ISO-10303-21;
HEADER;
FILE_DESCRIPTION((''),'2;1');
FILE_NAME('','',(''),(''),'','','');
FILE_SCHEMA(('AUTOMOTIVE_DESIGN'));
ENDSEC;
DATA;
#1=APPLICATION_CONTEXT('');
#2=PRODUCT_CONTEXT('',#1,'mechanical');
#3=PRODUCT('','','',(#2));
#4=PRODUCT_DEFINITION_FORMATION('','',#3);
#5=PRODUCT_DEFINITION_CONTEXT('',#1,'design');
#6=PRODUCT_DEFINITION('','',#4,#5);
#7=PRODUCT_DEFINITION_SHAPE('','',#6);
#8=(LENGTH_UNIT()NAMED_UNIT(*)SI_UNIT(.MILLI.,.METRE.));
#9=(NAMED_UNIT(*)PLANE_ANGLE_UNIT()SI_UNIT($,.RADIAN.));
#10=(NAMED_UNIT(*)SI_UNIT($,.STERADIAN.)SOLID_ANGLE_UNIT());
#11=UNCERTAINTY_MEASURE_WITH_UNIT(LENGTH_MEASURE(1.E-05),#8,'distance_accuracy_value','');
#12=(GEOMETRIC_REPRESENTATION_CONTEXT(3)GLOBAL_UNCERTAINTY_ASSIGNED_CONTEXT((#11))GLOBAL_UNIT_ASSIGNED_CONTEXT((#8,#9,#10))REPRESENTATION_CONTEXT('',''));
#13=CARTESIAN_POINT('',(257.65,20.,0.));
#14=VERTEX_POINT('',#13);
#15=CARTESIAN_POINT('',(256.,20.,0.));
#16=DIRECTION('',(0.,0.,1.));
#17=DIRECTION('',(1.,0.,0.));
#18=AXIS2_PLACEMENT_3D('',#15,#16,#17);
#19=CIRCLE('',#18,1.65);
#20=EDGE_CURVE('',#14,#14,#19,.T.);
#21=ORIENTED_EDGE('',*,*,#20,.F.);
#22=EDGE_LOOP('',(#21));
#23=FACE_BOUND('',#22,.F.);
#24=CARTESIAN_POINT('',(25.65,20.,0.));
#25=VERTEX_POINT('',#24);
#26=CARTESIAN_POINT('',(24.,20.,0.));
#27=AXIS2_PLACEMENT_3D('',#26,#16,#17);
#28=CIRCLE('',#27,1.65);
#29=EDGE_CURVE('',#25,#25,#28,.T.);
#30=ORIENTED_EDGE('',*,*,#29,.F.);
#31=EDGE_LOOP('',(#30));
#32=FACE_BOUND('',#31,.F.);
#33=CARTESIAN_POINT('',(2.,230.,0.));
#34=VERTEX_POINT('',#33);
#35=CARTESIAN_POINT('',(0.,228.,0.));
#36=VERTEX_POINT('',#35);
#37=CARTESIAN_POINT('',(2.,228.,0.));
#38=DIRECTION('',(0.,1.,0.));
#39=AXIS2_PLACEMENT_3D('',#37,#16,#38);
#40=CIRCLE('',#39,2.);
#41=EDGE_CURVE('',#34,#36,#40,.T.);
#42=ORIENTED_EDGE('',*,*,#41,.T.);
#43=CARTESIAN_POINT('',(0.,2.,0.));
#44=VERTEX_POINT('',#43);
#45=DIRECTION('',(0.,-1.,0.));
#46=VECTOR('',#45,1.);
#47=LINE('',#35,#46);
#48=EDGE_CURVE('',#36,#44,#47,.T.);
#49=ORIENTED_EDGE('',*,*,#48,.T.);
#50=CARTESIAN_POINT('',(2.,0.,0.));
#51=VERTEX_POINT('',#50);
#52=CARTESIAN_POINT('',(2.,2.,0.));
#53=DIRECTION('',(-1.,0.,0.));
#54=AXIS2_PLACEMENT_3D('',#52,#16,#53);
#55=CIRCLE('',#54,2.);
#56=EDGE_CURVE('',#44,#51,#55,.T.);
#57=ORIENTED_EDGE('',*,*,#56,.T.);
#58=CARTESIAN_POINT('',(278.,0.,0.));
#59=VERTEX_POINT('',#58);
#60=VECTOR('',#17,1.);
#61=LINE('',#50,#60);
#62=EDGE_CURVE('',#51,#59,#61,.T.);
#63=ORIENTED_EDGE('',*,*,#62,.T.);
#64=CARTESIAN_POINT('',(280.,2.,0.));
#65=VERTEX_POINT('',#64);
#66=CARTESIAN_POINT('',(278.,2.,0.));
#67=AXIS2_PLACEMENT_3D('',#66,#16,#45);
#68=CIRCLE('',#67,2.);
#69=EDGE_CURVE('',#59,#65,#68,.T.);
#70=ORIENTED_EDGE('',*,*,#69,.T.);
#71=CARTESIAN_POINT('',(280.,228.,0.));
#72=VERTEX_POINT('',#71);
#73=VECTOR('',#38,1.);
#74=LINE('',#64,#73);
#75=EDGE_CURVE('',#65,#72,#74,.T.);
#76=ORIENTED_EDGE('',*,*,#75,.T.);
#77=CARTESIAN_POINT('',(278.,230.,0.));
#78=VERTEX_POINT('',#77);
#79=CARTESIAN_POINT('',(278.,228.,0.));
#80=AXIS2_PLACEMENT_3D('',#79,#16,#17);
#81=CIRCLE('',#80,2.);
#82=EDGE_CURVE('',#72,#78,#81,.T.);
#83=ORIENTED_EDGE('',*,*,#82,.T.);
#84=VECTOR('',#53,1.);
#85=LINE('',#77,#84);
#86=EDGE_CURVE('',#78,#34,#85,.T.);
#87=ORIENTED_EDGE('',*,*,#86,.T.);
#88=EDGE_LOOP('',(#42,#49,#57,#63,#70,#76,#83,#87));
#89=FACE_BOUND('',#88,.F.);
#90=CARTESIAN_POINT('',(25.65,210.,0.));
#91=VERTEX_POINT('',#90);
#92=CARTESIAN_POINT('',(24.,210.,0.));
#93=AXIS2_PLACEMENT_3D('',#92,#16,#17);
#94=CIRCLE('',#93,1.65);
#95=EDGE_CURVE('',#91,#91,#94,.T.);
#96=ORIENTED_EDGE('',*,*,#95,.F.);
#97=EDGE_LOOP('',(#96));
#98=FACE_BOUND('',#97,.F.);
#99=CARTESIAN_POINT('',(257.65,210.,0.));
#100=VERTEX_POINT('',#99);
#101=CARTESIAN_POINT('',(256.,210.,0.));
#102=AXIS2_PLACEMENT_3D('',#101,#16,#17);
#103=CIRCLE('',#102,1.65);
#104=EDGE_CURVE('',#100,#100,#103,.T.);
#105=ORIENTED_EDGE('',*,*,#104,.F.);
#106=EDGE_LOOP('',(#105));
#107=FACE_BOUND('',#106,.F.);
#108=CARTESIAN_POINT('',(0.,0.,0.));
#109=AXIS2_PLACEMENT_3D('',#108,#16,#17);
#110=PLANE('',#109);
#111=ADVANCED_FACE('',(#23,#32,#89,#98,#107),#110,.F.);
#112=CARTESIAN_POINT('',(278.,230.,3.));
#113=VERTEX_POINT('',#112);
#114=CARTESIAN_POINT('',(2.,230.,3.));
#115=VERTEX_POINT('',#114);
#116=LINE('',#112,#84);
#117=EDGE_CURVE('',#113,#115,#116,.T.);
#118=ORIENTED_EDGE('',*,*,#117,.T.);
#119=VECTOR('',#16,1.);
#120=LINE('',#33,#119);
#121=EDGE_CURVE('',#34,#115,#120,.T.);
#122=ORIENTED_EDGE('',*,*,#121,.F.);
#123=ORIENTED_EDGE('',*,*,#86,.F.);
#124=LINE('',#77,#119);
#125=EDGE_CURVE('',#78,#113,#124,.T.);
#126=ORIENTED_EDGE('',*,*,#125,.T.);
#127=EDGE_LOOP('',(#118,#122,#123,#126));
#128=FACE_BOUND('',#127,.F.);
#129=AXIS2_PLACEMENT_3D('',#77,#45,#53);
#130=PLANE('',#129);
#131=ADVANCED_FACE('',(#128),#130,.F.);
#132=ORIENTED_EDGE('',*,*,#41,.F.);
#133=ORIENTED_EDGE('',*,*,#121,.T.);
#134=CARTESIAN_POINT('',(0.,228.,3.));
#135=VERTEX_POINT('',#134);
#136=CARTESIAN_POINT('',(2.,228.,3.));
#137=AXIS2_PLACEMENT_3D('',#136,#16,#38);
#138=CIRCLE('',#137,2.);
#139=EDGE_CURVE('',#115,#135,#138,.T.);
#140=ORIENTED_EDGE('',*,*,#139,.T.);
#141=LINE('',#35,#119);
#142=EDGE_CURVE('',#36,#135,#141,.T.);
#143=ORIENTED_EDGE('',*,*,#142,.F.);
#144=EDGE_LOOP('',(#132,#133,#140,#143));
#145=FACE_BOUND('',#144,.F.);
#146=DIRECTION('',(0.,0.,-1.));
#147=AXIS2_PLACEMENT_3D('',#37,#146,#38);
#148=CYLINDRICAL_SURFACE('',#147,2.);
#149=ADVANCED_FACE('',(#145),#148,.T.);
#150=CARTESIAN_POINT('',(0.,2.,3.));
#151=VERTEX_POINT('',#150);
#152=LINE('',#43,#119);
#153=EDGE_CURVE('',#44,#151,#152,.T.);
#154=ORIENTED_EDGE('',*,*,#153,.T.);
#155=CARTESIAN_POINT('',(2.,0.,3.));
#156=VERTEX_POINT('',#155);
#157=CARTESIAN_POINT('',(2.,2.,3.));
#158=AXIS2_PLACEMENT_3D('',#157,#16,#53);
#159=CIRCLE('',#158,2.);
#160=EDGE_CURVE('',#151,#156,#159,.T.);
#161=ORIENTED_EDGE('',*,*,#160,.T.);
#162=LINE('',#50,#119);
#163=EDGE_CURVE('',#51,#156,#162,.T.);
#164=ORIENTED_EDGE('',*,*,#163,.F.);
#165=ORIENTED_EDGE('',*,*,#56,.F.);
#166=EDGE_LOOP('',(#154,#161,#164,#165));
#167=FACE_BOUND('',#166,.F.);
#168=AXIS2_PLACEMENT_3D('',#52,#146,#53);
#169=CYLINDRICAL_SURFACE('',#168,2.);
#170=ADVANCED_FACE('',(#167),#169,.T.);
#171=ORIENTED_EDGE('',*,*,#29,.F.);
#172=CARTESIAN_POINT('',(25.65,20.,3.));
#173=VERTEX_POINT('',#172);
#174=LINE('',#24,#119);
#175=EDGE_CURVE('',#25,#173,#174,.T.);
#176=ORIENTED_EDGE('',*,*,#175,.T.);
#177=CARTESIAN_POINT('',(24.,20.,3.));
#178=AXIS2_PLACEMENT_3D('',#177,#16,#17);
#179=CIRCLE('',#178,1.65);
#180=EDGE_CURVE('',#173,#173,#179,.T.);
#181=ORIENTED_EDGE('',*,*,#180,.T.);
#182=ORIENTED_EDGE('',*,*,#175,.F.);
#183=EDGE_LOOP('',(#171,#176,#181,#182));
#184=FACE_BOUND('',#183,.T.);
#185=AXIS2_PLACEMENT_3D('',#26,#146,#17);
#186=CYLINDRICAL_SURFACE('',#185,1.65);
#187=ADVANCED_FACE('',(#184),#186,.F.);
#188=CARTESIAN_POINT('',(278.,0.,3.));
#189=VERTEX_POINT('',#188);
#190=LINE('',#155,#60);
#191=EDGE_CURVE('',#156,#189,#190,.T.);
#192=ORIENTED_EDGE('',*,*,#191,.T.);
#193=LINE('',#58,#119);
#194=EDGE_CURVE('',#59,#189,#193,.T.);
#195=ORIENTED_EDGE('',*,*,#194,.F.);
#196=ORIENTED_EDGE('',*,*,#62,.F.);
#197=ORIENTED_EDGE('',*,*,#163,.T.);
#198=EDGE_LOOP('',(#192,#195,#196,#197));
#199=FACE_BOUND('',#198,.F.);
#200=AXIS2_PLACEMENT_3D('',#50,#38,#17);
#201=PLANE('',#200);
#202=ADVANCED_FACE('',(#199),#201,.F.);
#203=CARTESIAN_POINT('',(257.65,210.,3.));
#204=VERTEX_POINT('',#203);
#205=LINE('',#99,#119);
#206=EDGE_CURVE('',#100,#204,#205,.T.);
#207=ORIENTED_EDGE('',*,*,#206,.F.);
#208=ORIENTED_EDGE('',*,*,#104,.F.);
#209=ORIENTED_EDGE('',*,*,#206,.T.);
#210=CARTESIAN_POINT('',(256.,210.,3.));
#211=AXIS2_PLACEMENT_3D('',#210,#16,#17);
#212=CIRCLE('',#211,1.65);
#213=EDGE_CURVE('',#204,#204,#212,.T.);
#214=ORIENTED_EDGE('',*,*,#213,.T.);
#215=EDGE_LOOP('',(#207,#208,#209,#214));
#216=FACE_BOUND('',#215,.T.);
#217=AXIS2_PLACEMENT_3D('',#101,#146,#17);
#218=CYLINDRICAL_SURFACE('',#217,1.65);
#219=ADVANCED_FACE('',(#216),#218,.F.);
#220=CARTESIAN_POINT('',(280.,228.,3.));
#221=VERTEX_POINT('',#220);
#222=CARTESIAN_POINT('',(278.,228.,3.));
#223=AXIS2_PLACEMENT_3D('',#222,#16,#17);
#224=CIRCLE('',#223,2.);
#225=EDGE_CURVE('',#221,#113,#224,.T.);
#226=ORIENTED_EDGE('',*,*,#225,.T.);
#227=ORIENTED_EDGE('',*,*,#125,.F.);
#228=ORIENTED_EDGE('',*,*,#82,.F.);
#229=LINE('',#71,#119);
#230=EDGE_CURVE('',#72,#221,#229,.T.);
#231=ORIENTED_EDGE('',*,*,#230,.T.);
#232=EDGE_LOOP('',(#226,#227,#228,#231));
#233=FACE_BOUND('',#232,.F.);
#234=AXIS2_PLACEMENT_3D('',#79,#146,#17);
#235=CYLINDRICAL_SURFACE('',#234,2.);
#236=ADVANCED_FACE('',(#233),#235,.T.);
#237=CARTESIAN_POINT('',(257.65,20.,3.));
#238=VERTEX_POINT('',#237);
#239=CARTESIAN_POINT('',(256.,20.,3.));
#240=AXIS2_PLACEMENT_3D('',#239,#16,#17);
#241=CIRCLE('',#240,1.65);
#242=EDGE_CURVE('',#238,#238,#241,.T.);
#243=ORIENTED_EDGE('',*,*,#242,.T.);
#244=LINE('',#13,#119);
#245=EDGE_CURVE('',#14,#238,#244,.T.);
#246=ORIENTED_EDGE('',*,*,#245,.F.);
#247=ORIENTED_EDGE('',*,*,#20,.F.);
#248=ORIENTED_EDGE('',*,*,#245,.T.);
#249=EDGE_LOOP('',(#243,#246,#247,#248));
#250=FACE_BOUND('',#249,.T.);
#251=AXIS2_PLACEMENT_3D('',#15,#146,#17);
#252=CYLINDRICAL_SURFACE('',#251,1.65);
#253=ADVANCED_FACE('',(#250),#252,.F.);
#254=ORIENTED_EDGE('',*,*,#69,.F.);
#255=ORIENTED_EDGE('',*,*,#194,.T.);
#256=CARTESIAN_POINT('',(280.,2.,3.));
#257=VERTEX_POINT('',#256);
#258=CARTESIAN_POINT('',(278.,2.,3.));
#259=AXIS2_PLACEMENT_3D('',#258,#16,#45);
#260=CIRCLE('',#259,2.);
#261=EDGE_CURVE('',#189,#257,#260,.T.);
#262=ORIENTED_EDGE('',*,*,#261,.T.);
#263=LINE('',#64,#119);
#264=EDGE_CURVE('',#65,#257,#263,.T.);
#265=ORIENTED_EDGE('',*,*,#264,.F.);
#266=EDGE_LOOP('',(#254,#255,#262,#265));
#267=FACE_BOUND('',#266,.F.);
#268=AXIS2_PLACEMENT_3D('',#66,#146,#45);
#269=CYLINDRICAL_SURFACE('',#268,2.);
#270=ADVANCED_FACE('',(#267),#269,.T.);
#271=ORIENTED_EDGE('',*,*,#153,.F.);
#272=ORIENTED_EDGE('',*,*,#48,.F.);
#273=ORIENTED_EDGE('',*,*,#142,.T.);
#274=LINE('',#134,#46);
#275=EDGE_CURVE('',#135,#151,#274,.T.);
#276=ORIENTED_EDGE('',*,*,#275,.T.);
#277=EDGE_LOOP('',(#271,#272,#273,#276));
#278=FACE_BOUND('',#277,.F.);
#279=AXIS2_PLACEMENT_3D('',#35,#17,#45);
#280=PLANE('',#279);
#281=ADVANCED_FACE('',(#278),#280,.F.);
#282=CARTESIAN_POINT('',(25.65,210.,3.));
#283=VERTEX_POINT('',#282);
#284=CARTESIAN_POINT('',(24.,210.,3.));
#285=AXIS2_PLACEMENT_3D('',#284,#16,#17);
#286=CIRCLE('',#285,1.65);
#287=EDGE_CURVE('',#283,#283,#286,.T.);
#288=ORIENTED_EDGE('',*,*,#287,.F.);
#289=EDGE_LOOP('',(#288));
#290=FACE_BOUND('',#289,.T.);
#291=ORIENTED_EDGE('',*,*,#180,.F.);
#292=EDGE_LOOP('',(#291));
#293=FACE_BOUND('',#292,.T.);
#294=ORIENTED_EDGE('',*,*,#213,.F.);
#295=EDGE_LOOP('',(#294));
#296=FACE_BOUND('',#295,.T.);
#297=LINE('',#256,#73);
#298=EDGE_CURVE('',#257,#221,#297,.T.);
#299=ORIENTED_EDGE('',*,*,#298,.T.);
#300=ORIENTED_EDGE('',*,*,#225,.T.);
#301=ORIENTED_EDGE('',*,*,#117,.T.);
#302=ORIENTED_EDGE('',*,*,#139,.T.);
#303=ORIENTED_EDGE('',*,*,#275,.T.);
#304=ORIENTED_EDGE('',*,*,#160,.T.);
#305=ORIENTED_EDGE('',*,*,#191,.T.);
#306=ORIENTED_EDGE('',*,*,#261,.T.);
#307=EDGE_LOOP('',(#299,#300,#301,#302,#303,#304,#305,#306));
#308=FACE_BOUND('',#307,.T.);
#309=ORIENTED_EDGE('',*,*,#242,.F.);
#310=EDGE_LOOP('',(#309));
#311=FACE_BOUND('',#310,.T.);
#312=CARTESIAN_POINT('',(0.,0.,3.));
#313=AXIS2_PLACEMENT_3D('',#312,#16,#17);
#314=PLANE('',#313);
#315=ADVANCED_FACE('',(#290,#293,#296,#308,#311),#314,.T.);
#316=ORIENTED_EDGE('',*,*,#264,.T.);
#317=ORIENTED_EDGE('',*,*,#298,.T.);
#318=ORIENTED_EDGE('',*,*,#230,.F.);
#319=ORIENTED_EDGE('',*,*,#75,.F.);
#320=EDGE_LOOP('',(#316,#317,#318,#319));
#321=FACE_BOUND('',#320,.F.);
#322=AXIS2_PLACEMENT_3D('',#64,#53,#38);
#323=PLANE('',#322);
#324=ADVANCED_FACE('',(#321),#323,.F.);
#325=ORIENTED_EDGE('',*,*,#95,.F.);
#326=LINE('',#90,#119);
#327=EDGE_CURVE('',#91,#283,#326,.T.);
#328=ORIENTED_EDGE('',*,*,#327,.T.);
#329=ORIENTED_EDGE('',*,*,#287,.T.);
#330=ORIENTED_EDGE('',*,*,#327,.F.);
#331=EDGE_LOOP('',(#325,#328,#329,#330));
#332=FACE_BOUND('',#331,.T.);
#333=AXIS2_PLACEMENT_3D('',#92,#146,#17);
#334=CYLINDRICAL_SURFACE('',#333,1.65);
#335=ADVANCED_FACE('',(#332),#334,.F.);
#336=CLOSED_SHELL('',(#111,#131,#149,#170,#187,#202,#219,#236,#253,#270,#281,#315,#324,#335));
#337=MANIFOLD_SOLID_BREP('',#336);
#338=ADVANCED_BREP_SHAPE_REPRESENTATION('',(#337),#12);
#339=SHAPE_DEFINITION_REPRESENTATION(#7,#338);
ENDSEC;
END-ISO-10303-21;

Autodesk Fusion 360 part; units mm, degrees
sketch "Sketch1" plane through (0, 0, 0) normal (0, 0, 1) x (1, 0, 0)
  line L0 (2, 0) -> (278, 0)
  line L1 (280, 2) -> (280, 228)
  line L2 (278, 230) -> (2, 230)
  line L3 (0, 228) -> (0, 2)
  circle A0 centre (24, 210) radius 1.65
  circle A1 centre (256, 210) radius 1.65
  circle A2 centre (24, 20) radius 1.65
  circle A3 centre (256, 20) radius 1.65
  arc A4 (2, 230) -> (0, 228) centre (2, 228) ccw
  arc A5 (280, 228) -> (278, 230) centre (278, 228) ccw
  arc A6 (278, 0) -> (280, 2) centre (278, 2) ccw
  arc A7 (0, 2) -> (2, 0) centre (2, 2) ccw
  point P0 (280, 0)
  point P1 (0, 230)
  dimension "d1" = 280
  dimension "d2" = 230
  dimension "d3" = 3.3
  dimension "d5" = 24
  dimension "d6" = 20
  dimension "d9" = 232
  dimension "d10" = -190
  dimension "d12" = 2
extrude "Extrude1" add sketch "Sketch1" along normal blind 3
equation "d3 = hole_width"
equation "hole_width = 3.3 mm"
equation "d9 = 280 mm - ( 24 * 2 ) * 1 mm"
equation "d10 = -( 230 mm - ( 20 * 2 ) * 1 mm )"
equation "outer_rad = 2 mm"
